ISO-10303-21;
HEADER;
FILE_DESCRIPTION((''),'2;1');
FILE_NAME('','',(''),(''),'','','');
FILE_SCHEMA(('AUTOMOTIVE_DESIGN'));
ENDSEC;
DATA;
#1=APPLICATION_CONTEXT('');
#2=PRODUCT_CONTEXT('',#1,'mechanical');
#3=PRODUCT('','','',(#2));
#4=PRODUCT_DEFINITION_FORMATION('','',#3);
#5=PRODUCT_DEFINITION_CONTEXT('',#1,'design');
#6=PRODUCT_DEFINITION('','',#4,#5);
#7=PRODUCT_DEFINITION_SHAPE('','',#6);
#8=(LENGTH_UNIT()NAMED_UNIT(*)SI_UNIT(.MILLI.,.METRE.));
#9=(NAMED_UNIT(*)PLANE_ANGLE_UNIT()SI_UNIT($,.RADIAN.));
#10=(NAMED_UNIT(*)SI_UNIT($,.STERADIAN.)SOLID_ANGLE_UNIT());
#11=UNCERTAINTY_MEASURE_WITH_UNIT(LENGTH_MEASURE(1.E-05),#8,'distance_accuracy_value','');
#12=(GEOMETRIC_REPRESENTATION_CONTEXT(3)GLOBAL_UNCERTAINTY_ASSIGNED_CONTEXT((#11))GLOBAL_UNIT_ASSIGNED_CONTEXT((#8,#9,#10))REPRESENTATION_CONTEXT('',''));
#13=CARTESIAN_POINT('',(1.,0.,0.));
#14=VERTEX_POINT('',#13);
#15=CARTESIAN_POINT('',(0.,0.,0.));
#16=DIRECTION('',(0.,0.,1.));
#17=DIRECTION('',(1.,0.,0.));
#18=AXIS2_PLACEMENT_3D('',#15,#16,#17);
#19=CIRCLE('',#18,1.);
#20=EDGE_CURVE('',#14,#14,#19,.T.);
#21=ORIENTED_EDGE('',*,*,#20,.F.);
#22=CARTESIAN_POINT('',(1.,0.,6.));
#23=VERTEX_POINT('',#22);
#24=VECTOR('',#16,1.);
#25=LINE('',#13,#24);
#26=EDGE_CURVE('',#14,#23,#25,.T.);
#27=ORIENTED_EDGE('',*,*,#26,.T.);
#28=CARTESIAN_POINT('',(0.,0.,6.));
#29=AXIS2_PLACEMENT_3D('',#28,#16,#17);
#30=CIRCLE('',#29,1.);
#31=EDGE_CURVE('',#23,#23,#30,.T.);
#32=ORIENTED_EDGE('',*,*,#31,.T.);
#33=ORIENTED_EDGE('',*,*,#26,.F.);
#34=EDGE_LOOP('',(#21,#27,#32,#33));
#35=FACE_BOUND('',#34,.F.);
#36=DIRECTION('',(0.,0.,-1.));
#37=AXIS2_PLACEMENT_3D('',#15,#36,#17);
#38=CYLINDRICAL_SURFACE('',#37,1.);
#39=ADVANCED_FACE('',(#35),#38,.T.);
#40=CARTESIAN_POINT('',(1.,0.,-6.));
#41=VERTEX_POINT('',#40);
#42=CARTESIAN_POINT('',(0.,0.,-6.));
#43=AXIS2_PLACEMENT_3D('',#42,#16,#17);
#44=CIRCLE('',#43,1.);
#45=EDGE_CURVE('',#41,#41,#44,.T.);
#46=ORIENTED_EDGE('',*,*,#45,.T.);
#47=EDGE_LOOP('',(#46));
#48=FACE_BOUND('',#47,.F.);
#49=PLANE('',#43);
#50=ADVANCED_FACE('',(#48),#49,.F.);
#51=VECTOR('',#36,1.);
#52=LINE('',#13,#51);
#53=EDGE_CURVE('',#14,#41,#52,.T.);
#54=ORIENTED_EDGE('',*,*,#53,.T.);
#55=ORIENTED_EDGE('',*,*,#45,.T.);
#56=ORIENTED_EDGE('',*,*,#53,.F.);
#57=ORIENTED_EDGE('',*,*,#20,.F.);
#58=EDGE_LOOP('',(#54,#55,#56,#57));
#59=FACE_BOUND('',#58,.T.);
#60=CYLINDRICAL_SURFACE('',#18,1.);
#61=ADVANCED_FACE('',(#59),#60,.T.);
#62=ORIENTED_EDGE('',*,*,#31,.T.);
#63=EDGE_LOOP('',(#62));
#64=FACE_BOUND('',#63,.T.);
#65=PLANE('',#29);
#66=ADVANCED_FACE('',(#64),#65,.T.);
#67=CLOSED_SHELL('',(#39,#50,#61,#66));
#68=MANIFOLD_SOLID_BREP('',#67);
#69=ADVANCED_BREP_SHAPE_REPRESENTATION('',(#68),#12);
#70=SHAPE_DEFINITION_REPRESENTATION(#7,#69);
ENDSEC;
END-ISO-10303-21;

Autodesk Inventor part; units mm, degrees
ref_plane "YZ Plane" through (0, 0, 0) normal (1, 0, 0) x (0, 1, 0)
ref_plane "XZ Plane" through (0, 0, 0) normal (0, 1, 0) x (-1, 0, 0)
ref_plane "XY Plane" through (0, 0, 0) normal (0, 0, 1) x (1, 0, 0)
sketch "Hauptskizze" plane through (0, 0, 0) normal (0, 0, 1) x (1, 0, 0)
  circle A0 centre (0, 0) radius 1
  dimension "d0" = 2
extrude "Riemenscheibe" add sketch "Hauptskizze" along normal mid plane 12
equation "\"d0\" = da_D"
equation "\"d1\" = da_B"
equation "\"da_D\" = 2"
equation "\"da_B\" = 12"
properties part number "Flache Riemenscheibe1" material "Steel"
